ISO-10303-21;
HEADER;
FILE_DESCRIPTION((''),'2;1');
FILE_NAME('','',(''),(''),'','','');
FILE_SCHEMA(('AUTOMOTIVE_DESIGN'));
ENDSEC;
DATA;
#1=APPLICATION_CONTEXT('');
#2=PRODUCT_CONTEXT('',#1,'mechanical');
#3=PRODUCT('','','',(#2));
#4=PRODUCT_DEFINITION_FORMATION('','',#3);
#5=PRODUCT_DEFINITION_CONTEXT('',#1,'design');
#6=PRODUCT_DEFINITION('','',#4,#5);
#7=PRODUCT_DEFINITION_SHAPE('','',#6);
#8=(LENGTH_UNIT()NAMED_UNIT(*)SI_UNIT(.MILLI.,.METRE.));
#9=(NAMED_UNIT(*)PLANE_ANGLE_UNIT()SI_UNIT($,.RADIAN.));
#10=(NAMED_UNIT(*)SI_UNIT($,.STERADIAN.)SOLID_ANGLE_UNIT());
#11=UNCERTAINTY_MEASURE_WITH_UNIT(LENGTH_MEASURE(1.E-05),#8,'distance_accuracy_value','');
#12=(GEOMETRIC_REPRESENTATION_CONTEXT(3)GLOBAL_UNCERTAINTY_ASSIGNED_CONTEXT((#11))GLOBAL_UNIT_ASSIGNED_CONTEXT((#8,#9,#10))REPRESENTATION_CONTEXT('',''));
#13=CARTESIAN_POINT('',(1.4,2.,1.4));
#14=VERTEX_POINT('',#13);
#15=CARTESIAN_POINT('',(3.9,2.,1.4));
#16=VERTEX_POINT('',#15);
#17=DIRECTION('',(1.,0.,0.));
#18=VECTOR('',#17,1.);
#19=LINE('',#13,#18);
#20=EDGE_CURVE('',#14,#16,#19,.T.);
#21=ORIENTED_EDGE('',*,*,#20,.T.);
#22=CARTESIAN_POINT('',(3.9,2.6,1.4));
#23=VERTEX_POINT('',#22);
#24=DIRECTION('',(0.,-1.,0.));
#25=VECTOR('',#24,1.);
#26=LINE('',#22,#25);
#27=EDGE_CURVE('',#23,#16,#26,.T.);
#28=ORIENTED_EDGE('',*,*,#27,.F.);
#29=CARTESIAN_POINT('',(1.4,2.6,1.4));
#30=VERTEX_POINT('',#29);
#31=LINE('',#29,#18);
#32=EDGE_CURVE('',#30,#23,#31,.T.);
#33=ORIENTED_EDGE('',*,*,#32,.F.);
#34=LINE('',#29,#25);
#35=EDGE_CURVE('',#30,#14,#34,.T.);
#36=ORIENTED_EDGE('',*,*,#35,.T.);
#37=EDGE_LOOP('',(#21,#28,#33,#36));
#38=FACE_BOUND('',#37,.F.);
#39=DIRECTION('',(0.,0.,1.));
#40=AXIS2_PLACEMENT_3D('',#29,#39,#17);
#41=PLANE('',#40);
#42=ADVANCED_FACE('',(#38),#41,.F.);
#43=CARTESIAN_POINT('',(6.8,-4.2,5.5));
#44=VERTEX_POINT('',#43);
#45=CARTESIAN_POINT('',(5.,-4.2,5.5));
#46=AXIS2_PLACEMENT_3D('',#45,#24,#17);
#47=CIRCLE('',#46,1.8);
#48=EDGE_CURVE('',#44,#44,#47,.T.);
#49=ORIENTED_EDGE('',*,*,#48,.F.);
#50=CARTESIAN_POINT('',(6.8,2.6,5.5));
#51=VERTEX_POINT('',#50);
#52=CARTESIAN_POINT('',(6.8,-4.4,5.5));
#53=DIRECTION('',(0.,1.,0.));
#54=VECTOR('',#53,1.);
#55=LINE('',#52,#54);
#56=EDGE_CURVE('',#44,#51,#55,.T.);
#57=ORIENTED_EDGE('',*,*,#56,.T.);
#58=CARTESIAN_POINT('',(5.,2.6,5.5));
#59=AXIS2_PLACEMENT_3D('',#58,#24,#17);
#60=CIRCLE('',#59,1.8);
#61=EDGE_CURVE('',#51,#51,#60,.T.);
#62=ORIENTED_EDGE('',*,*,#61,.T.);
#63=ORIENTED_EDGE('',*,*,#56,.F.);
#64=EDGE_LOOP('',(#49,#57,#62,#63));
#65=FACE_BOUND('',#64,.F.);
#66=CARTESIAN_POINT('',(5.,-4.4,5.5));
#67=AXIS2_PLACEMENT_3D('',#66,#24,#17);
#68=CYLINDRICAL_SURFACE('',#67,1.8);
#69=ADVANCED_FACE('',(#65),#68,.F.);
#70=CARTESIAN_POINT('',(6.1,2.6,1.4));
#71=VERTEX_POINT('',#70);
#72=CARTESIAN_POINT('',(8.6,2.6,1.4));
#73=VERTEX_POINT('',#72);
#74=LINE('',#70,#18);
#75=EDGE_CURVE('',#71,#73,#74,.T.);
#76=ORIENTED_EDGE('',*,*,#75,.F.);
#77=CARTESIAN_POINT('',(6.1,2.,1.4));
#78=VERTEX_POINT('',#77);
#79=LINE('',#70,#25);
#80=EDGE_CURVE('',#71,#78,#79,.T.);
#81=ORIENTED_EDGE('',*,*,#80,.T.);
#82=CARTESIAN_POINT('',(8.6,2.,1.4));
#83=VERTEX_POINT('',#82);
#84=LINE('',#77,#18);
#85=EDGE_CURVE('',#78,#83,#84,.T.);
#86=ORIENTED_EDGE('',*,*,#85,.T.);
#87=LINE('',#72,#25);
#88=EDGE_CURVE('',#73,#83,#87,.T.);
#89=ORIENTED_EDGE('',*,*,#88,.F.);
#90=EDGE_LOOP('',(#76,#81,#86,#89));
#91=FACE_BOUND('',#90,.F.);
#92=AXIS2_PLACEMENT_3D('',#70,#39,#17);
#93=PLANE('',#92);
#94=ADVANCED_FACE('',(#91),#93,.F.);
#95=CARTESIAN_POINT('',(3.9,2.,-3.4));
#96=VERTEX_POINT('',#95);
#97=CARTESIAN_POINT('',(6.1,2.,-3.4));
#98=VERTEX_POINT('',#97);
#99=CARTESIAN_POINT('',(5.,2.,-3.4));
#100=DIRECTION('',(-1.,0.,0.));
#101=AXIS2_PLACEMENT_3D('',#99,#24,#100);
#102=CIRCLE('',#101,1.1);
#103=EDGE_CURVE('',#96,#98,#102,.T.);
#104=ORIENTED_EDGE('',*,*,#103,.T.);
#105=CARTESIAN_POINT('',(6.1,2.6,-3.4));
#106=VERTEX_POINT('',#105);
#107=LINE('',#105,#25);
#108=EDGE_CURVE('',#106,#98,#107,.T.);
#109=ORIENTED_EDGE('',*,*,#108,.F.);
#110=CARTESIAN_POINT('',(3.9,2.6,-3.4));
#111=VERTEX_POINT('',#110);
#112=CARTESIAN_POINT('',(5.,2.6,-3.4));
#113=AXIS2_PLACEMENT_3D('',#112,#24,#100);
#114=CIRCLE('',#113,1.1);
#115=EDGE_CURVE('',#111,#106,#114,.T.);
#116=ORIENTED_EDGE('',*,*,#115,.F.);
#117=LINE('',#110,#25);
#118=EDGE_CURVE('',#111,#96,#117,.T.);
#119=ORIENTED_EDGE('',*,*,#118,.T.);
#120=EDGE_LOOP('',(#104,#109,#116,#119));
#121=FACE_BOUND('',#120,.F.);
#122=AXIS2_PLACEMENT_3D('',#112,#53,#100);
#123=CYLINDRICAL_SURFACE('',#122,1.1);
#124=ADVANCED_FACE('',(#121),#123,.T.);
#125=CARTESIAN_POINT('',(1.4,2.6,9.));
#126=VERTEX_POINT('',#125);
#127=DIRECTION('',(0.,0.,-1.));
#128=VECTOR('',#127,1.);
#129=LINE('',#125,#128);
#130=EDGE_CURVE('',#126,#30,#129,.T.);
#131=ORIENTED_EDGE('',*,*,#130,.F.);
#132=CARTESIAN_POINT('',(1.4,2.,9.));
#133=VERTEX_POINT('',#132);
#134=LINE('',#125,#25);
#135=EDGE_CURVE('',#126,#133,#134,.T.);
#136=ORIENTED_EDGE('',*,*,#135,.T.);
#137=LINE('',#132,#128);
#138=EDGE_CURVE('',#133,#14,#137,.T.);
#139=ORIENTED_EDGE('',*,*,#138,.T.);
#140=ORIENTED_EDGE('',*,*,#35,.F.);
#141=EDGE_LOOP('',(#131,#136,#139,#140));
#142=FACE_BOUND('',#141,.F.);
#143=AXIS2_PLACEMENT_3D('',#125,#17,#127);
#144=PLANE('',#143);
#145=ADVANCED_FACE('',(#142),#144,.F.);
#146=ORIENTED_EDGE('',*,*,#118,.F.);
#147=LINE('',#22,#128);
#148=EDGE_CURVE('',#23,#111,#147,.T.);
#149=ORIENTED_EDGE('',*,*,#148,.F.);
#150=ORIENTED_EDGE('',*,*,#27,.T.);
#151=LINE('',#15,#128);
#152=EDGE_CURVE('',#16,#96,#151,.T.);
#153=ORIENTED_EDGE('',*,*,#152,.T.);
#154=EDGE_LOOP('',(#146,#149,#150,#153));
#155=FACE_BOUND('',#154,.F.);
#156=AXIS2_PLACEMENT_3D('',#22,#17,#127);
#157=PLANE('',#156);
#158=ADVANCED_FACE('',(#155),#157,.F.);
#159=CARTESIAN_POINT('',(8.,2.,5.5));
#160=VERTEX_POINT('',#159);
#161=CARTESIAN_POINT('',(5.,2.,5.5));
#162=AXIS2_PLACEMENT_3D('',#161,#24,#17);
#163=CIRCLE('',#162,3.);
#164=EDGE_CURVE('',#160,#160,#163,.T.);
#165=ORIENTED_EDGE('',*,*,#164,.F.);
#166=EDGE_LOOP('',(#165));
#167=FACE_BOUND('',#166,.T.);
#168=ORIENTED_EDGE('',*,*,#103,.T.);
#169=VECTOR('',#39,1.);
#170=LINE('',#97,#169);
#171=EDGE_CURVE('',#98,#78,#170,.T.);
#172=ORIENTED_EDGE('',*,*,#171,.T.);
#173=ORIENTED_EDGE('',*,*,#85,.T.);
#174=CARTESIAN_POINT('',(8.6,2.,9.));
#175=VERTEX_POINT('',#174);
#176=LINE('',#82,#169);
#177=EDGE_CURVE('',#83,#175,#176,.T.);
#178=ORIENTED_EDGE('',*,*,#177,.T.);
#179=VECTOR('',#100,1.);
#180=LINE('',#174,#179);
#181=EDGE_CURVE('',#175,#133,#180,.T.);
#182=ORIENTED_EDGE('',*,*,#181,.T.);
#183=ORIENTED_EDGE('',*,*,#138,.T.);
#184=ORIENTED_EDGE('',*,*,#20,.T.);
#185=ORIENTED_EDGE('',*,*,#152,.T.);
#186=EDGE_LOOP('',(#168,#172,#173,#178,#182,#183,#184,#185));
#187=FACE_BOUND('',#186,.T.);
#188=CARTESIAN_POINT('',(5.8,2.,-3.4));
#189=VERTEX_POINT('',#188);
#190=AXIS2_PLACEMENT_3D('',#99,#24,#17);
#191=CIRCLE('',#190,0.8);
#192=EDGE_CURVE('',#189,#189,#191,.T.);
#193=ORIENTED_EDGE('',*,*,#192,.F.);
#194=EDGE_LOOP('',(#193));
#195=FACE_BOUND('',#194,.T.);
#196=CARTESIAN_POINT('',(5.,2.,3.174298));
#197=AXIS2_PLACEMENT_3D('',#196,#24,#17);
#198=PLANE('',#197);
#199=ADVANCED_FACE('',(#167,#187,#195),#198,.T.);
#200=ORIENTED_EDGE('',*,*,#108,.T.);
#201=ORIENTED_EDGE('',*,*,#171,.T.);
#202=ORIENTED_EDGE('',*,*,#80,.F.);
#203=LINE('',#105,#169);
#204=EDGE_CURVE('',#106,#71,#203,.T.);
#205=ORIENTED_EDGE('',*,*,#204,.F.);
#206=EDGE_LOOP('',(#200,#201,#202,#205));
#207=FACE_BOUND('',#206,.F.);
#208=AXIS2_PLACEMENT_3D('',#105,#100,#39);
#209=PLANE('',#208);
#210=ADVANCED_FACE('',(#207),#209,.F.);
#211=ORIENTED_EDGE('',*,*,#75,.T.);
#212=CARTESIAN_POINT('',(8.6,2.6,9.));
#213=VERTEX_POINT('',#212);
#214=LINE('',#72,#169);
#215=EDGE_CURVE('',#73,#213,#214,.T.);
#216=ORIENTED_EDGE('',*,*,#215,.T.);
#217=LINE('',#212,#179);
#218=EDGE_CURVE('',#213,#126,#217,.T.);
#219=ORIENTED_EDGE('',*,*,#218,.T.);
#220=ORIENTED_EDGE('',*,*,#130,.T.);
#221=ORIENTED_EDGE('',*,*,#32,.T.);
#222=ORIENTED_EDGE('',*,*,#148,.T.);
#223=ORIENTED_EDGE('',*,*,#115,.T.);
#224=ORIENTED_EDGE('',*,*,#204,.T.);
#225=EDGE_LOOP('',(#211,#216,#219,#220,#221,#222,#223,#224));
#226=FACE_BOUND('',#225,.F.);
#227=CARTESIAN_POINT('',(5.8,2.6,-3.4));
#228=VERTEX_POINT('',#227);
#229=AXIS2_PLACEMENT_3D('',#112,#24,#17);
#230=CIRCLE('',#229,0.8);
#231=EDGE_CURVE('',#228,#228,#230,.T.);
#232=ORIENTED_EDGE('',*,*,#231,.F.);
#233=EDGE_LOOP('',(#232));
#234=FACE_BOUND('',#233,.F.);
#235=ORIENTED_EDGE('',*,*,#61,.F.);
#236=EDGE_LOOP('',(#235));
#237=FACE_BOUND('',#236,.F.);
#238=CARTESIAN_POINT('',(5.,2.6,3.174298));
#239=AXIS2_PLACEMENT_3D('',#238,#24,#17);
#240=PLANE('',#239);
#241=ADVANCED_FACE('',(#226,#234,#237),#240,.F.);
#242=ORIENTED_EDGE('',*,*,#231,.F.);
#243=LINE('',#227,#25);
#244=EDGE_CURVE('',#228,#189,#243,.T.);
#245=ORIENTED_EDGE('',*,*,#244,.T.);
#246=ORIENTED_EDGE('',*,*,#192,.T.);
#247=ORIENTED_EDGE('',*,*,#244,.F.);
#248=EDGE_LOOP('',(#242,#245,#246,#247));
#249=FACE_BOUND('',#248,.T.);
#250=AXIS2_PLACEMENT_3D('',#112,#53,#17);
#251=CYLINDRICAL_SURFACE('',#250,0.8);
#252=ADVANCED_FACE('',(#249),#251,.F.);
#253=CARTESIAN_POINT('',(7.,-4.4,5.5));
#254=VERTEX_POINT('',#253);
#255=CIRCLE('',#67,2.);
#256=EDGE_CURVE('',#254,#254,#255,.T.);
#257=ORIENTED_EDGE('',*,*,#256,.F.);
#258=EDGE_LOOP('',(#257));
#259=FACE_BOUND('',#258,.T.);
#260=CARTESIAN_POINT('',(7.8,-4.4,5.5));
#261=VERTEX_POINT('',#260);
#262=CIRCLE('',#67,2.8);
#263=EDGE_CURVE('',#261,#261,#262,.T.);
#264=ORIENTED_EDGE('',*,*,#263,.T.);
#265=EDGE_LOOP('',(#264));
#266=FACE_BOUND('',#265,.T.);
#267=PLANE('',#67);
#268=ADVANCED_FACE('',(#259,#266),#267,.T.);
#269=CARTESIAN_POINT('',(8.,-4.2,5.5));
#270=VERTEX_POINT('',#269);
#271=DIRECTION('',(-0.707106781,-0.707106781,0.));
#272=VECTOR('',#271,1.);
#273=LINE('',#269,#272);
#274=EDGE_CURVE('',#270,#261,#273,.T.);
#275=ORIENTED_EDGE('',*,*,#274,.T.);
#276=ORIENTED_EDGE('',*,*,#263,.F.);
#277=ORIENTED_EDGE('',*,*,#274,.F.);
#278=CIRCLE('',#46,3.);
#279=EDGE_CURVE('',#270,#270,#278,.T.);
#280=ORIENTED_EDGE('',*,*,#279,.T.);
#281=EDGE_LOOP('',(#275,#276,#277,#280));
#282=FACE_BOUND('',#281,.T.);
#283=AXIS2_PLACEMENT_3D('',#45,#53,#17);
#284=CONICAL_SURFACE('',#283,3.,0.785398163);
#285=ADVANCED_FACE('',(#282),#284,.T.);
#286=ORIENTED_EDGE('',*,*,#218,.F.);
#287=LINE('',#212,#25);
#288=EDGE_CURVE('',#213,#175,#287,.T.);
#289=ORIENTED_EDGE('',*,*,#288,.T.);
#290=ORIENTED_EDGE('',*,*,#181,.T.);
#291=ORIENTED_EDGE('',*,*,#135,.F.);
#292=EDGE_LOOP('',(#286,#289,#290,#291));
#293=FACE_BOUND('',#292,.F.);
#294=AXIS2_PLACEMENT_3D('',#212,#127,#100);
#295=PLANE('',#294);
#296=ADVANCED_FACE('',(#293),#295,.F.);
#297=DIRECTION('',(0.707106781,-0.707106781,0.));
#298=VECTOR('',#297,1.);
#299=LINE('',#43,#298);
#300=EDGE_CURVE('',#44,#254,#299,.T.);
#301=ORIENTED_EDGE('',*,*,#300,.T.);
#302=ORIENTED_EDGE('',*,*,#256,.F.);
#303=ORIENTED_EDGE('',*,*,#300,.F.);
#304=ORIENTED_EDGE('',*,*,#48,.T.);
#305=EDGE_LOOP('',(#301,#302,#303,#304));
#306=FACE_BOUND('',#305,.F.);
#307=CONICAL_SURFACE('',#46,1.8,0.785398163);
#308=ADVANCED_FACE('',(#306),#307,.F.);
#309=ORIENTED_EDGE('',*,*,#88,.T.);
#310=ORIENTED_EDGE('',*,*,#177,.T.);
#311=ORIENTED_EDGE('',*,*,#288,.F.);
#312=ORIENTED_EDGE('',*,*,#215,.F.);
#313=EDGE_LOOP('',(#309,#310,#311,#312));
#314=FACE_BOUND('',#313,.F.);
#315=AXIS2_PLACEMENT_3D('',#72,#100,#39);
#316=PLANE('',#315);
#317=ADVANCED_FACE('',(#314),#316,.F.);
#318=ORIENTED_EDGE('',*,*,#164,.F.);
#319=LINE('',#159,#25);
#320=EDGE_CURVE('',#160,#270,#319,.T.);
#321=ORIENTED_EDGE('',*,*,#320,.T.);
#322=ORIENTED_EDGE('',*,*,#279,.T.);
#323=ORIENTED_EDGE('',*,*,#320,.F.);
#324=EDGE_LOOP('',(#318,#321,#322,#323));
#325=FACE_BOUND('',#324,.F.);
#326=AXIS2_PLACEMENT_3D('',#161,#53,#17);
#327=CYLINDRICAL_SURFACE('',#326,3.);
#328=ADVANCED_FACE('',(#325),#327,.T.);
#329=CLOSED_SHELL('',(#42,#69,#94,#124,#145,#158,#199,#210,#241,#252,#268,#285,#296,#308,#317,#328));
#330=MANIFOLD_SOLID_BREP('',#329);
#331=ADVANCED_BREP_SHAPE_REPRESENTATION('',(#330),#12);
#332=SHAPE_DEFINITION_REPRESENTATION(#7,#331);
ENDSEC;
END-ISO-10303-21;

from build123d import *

# Parameters (mm, degrees)
SKETCH005_R     = 0.8
PAD001_DEPTH    = 0.6
SKETCH006_R     = 3
PAD002_DEPTH    = 6.4
SKETCH007_R     = 1.8
POCKET003_DEPTH = 9
CHAMFER_SIZE    = 0.2


with BuildPart() as part:
    # Sketch005 → Pad001 (new body)
    with BuildSketch(Plane.XZ):
        with BuildLine():
            Line((7.2, 7.6), (0, 7.6))
            Line((0, 7.6), (0, 0))
            Line((0, 0), (2.5, 0))
            Line((2.5, 0), (2.5, -4.8))
            ThreePointArc((2.5, -4.8), (3.6, -5.9), (4.7, -4.8))
            Line((4.7, -4.8), (4.7, 0))
            Line((4.7, 0), (7.2, 0))
            Line((7.2, 0), (7.2, 7.6))
        make_face()
        with Locations((3.6, -4.8)):
            Circle(SKETCH005_R, mode=Mode.SUBTRACT)
    extrude(amount=PAD001_DEPTH)

    # Sketch006 (on Face11 of Pad001) → Pad002 (join)
    with BuildSketch(Plane.XZ.offset(0.6)):
        with Locations((3.6, 4.1)):
            Circle(SKETCH006_R)
    extrude(amount=PAD002_DEPTH)

    # Sketch007 (on Face13 of Pad002) → Pocket003 (cut)
    with BuildSketch(Plane.XZ.offset(7)):
        with Locations((3.6, 4.1)):
            Circle(SKETCH007_R)
    extrude(amount=-POCKET003_DEPTH, mode=Mode.SUBTRACT)

    # Chamfer
    chamfer_edges = [part.edges().sort_by_distance(p)[0] for p in [
        (0.6, -7, 4.1),
        (1.8, -7, 4.1),
    ]]
    chamfer(chamfer_edges, length=CHAMFER_SIZE)


with BuildPart() as part_1:
    # Body placement: moved
    add(part.part.moved(Location((1.4, 2.6, 1.4))))


solid = part_1.part
